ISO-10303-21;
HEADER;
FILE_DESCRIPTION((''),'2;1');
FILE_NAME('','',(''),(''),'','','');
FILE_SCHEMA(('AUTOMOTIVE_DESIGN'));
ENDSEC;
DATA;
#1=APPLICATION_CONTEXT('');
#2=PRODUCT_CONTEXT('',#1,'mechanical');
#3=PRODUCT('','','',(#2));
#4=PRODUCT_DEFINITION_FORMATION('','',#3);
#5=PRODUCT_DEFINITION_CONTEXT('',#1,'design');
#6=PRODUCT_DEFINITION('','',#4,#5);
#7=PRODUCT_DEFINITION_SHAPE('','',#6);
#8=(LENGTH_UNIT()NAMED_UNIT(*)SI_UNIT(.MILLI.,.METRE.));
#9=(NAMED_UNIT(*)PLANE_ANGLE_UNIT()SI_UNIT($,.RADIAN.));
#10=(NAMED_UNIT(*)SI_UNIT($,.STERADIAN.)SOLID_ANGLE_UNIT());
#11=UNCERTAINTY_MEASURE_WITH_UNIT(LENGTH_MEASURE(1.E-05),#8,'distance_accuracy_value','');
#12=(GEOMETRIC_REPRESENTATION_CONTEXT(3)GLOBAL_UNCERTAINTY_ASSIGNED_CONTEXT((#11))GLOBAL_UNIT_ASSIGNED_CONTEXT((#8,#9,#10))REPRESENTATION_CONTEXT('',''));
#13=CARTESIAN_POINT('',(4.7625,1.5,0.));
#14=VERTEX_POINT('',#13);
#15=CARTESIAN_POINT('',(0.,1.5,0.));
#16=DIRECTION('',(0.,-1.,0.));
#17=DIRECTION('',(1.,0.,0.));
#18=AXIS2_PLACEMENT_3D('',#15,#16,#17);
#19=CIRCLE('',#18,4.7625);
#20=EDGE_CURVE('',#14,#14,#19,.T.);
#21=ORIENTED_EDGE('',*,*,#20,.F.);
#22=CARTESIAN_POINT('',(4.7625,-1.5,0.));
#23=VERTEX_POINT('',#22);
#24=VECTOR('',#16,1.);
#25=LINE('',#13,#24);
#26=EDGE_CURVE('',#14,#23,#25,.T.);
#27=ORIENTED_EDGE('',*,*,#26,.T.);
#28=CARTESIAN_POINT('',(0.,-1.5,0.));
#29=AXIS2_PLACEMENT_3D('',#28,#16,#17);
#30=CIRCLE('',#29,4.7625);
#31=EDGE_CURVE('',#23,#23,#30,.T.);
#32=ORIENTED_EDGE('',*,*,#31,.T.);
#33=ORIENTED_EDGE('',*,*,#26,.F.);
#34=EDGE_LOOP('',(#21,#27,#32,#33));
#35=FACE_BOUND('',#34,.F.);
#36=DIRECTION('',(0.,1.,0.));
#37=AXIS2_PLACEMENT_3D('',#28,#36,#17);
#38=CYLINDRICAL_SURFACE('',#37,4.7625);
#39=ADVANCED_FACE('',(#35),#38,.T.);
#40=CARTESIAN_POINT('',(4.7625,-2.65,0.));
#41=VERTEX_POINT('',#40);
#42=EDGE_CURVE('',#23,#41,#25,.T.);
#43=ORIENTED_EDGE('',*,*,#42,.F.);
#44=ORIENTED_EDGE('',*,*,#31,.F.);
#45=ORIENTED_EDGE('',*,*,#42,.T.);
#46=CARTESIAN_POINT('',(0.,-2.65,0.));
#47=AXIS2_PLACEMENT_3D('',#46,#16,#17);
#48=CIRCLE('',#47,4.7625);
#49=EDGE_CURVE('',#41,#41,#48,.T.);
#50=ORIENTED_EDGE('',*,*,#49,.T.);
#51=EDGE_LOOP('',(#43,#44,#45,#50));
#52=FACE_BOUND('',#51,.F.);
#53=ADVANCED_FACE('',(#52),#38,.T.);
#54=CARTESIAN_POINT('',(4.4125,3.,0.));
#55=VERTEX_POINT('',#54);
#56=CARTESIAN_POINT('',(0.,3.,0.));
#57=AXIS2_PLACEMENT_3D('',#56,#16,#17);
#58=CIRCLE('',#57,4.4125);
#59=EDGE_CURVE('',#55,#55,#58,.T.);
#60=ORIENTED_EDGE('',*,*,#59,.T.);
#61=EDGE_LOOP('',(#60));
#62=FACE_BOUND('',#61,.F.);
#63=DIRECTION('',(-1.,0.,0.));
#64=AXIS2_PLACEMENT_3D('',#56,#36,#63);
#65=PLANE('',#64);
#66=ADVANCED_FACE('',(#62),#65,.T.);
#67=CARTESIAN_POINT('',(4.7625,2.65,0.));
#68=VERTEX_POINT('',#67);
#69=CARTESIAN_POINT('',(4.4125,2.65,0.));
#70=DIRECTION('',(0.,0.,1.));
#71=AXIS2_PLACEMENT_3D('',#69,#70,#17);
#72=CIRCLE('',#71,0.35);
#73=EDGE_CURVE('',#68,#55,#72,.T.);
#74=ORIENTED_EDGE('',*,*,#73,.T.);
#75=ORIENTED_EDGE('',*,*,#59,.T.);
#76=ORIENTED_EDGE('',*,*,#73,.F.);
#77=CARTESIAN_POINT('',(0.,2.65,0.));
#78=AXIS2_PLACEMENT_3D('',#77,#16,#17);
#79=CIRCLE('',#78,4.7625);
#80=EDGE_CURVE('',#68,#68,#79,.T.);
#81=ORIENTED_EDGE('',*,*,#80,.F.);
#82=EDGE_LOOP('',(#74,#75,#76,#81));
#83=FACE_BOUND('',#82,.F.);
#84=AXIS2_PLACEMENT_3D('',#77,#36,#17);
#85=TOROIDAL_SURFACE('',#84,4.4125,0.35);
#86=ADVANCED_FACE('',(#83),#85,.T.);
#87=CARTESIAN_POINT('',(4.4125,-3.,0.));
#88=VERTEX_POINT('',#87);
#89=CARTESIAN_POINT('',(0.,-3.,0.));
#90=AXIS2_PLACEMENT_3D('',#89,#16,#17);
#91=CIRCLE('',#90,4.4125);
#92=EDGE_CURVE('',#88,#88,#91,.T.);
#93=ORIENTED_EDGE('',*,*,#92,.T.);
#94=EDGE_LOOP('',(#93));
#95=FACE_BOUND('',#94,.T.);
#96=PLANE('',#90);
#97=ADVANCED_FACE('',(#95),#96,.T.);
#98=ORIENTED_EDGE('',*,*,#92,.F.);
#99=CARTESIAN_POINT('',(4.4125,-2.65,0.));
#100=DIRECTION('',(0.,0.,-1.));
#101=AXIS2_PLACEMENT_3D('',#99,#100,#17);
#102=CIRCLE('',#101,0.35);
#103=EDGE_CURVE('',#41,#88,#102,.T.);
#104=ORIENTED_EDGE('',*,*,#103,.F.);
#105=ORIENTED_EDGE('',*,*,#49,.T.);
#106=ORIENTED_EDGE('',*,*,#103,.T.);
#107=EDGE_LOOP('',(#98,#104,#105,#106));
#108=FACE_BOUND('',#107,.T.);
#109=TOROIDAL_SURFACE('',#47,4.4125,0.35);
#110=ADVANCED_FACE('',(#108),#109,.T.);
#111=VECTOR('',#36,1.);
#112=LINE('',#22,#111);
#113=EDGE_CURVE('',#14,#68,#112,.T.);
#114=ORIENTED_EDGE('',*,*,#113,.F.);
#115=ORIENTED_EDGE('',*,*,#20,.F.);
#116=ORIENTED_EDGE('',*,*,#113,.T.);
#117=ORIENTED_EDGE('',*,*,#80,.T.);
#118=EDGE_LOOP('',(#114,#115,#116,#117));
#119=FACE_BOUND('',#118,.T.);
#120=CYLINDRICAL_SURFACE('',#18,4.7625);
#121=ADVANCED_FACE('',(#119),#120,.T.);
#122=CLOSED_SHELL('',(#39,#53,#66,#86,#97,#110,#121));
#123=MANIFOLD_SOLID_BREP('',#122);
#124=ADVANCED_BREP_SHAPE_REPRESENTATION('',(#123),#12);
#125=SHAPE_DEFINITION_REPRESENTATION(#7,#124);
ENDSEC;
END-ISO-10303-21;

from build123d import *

# Parameters (mm, degrees)
F0_R     = 4.7625
F1_DEPTH = 1.5
F2_R     = 4.7625
F3_DEPTH = 1.5
F4_R     = 0.35


with BuildPart() as f1:
    # F0 (on Front) → F1 (new body, symmetric)
    with BuildSketch(Plane.XZ):
        Circle(F0_R)
    extrude(amount=F1_DEPTH, both=True)

    # F2 (on face) → F3 (join)
    with BuildSketch(Plane.XZ.offset(1.5)):
        Circle(F2_R)
    extrude(amount=F3_DEPTH)

    # F4
    f4_edges = [f1.edges().sort_by_distance(p)[0] for p in [
        (-4.7625, -3, 0),
    ]]
    fillet(f4_edges, radius=F4_R)

    # F5: F1 across plane


with BuildPart() as f1_1:
    add(f1.part)
    add(f1.part.mirror(Plane.XZ))


solid = f1_1.part
